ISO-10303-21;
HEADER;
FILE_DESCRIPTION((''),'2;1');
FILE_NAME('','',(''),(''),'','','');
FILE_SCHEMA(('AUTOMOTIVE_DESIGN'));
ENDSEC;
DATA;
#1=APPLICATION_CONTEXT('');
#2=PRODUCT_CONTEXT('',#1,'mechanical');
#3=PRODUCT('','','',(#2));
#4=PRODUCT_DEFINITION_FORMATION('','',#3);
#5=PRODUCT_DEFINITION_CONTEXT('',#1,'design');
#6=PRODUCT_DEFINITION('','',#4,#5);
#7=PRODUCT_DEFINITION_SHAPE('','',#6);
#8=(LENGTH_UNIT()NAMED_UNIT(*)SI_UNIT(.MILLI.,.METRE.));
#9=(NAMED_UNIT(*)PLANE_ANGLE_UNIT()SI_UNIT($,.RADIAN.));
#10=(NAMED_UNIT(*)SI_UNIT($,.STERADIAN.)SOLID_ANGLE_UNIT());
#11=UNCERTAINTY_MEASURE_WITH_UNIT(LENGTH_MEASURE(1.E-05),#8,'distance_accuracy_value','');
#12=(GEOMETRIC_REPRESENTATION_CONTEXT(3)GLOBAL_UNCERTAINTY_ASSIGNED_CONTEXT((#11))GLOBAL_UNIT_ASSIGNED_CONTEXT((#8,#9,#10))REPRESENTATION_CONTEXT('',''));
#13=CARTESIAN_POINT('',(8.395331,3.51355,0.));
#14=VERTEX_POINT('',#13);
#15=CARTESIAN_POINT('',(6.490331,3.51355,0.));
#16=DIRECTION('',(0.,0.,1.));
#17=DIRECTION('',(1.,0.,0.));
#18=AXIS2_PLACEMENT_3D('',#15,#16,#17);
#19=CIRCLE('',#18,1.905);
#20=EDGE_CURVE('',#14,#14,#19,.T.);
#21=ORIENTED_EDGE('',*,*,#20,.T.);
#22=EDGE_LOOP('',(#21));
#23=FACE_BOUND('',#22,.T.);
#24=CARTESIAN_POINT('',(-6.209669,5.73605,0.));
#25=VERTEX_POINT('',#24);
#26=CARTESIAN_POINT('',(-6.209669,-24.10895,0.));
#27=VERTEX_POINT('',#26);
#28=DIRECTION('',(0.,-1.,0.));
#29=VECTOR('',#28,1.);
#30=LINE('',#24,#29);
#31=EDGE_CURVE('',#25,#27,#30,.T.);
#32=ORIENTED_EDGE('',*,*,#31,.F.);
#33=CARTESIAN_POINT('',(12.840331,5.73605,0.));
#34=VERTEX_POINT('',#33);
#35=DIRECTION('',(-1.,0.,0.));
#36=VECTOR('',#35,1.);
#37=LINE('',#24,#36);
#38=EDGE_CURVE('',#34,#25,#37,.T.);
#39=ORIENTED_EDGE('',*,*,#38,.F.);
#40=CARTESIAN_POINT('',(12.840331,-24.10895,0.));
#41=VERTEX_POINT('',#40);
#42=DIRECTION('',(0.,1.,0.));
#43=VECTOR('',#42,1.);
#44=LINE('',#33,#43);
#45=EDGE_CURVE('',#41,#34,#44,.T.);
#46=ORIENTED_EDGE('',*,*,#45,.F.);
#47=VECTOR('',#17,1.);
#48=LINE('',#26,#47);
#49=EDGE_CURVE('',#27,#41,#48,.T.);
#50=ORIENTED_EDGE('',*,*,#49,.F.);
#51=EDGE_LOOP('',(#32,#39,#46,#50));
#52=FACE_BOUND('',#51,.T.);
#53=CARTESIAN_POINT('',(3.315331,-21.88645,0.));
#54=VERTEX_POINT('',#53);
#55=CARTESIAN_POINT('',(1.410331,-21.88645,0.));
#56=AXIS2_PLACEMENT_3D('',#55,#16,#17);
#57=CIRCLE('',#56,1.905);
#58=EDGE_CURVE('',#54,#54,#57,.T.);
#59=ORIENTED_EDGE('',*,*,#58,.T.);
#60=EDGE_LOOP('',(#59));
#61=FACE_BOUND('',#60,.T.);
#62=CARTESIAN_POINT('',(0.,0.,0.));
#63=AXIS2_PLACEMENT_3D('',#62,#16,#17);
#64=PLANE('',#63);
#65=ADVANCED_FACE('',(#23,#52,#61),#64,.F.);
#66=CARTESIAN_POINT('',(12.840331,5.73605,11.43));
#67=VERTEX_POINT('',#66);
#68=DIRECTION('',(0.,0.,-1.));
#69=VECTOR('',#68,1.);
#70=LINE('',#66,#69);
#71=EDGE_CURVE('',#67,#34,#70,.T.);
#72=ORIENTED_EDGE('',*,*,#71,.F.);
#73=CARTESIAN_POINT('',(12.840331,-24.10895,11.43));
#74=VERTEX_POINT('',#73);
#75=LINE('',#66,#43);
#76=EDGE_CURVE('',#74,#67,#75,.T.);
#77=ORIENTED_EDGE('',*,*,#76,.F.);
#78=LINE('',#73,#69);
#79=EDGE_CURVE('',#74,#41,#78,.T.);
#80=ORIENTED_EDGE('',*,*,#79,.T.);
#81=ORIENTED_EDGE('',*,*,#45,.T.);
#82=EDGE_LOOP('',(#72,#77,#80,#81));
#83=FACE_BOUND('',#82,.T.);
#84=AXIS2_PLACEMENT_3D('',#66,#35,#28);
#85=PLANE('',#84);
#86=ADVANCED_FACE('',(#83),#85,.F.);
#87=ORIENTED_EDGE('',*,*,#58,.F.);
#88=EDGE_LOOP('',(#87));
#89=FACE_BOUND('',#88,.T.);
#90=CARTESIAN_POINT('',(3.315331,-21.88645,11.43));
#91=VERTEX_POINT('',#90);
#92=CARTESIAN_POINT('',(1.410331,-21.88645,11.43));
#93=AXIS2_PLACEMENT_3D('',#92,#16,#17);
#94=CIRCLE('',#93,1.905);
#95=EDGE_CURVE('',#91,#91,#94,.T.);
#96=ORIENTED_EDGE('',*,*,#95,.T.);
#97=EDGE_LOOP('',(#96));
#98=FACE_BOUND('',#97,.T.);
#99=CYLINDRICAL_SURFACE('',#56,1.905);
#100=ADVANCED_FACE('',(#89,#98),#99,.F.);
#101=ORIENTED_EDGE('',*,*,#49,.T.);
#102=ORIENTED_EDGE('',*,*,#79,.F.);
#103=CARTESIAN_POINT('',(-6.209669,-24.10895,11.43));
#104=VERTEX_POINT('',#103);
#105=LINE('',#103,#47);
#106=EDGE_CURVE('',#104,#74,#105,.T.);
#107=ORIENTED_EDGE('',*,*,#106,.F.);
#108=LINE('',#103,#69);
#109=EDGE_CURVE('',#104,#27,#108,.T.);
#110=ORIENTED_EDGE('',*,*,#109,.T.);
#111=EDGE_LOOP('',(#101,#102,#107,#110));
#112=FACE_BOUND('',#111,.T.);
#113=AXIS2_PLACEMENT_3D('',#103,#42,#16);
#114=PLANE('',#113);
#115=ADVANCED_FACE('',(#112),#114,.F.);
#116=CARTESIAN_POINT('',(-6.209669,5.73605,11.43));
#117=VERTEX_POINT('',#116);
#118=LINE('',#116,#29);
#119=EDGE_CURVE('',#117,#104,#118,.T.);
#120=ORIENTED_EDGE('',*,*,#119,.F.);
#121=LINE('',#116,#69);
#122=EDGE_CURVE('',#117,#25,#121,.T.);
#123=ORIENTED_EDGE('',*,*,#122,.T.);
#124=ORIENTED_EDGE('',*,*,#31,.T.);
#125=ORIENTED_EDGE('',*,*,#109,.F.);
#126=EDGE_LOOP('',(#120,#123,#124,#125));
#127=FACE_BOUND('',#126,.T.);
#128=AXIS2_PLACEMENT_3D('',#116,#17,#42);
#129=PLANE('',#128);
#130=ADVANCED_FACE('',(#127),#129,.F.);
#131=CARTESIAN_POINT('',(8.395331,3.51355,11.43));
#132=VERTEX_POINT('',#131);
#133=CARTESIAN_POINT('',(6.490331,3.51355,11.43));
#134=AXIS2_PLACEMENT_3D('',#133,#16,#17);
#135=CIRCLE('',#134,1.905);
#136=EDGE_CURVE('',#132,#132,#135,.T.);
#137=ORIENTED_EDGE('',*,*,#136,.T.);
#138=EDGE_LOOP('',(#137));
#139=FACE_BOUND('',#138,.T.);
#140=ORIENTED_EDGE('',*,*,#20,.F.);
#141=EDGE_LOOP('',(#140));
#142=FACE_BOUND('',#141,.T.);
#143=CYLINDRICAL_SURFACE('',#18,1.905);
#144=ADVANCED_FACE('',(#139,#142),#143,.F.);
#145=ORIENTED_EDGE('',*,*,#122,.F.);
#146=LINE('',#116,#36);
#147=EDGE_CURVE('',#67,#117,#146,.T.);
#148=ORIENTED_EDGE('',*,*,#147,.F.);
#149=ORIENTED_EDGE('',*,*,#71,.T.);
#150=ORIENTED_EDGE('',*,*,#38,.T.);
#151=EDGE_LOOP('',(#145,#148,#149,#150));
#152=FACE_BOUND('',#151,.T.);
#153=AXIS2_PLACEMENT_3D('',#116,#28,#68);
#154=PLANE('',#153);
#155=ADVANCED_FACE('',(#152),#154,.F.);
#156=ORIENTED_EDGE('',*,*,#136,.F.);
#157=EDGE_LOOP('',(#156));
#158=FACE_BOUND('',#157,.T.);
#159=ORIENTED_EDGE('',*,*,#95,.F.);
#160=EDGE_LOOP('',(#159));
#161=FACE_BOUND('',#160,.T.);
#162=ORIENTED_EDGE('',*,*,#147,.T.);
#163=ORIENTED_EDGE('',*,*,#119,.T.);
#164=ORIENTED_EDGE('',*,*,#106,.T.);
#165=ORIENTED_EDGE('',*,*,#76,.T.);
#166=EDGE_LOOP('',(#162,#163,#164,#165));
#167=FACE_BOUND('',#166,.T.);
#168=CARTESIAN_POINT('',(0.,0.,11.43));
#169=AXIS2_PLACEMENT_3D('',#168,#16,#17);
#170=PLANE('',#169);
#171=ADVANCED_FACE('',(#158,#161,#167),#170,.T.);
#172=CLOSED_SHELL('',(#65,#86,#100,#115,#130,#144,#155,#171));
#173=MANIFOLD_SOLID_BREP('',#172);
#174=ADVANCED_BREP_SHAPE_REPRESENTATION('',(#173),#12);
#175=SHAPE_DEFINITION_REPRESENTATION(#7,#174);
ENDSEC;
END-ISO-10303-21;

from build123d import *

# Parameters (mm, degrees)
SKETCH1_W           = 19.05
SKETCH1_H           = 29.845
BOSS_EXTRUDE1_DEPTH = 11.43
SKETCH2_R           = 1.905
CUT_EXTRUDE1_DEPTH  = 11.43


with BuildPart() as part:
    # Sketch1 → Boss-Extrude1 (new body)
    with BuildSketch(Plane.XY):
        with Locations((3.315331492, -9.186450276)):
            Rectangle(SKETCH1_W, SKETCH1_H)
    extrude(amount=BOSS_EXTRUDE1_DEPTH)

    # Sketch2 → Cut-Extrude1 (cut)
    with BuildSketch(Plane.XY.offset(11.43)):
        with Locations((6.490331492, 3.513549724)):
            Circle(SKETCH2_R)
        with Locations((1.410331492, -21.886450276)):
            Circle(SKETCH2_R)
    extrude(amount=-CUT_EXTRUDE1_DEPTH, mode=Mode.SUBTRACT)


solid = part.part
